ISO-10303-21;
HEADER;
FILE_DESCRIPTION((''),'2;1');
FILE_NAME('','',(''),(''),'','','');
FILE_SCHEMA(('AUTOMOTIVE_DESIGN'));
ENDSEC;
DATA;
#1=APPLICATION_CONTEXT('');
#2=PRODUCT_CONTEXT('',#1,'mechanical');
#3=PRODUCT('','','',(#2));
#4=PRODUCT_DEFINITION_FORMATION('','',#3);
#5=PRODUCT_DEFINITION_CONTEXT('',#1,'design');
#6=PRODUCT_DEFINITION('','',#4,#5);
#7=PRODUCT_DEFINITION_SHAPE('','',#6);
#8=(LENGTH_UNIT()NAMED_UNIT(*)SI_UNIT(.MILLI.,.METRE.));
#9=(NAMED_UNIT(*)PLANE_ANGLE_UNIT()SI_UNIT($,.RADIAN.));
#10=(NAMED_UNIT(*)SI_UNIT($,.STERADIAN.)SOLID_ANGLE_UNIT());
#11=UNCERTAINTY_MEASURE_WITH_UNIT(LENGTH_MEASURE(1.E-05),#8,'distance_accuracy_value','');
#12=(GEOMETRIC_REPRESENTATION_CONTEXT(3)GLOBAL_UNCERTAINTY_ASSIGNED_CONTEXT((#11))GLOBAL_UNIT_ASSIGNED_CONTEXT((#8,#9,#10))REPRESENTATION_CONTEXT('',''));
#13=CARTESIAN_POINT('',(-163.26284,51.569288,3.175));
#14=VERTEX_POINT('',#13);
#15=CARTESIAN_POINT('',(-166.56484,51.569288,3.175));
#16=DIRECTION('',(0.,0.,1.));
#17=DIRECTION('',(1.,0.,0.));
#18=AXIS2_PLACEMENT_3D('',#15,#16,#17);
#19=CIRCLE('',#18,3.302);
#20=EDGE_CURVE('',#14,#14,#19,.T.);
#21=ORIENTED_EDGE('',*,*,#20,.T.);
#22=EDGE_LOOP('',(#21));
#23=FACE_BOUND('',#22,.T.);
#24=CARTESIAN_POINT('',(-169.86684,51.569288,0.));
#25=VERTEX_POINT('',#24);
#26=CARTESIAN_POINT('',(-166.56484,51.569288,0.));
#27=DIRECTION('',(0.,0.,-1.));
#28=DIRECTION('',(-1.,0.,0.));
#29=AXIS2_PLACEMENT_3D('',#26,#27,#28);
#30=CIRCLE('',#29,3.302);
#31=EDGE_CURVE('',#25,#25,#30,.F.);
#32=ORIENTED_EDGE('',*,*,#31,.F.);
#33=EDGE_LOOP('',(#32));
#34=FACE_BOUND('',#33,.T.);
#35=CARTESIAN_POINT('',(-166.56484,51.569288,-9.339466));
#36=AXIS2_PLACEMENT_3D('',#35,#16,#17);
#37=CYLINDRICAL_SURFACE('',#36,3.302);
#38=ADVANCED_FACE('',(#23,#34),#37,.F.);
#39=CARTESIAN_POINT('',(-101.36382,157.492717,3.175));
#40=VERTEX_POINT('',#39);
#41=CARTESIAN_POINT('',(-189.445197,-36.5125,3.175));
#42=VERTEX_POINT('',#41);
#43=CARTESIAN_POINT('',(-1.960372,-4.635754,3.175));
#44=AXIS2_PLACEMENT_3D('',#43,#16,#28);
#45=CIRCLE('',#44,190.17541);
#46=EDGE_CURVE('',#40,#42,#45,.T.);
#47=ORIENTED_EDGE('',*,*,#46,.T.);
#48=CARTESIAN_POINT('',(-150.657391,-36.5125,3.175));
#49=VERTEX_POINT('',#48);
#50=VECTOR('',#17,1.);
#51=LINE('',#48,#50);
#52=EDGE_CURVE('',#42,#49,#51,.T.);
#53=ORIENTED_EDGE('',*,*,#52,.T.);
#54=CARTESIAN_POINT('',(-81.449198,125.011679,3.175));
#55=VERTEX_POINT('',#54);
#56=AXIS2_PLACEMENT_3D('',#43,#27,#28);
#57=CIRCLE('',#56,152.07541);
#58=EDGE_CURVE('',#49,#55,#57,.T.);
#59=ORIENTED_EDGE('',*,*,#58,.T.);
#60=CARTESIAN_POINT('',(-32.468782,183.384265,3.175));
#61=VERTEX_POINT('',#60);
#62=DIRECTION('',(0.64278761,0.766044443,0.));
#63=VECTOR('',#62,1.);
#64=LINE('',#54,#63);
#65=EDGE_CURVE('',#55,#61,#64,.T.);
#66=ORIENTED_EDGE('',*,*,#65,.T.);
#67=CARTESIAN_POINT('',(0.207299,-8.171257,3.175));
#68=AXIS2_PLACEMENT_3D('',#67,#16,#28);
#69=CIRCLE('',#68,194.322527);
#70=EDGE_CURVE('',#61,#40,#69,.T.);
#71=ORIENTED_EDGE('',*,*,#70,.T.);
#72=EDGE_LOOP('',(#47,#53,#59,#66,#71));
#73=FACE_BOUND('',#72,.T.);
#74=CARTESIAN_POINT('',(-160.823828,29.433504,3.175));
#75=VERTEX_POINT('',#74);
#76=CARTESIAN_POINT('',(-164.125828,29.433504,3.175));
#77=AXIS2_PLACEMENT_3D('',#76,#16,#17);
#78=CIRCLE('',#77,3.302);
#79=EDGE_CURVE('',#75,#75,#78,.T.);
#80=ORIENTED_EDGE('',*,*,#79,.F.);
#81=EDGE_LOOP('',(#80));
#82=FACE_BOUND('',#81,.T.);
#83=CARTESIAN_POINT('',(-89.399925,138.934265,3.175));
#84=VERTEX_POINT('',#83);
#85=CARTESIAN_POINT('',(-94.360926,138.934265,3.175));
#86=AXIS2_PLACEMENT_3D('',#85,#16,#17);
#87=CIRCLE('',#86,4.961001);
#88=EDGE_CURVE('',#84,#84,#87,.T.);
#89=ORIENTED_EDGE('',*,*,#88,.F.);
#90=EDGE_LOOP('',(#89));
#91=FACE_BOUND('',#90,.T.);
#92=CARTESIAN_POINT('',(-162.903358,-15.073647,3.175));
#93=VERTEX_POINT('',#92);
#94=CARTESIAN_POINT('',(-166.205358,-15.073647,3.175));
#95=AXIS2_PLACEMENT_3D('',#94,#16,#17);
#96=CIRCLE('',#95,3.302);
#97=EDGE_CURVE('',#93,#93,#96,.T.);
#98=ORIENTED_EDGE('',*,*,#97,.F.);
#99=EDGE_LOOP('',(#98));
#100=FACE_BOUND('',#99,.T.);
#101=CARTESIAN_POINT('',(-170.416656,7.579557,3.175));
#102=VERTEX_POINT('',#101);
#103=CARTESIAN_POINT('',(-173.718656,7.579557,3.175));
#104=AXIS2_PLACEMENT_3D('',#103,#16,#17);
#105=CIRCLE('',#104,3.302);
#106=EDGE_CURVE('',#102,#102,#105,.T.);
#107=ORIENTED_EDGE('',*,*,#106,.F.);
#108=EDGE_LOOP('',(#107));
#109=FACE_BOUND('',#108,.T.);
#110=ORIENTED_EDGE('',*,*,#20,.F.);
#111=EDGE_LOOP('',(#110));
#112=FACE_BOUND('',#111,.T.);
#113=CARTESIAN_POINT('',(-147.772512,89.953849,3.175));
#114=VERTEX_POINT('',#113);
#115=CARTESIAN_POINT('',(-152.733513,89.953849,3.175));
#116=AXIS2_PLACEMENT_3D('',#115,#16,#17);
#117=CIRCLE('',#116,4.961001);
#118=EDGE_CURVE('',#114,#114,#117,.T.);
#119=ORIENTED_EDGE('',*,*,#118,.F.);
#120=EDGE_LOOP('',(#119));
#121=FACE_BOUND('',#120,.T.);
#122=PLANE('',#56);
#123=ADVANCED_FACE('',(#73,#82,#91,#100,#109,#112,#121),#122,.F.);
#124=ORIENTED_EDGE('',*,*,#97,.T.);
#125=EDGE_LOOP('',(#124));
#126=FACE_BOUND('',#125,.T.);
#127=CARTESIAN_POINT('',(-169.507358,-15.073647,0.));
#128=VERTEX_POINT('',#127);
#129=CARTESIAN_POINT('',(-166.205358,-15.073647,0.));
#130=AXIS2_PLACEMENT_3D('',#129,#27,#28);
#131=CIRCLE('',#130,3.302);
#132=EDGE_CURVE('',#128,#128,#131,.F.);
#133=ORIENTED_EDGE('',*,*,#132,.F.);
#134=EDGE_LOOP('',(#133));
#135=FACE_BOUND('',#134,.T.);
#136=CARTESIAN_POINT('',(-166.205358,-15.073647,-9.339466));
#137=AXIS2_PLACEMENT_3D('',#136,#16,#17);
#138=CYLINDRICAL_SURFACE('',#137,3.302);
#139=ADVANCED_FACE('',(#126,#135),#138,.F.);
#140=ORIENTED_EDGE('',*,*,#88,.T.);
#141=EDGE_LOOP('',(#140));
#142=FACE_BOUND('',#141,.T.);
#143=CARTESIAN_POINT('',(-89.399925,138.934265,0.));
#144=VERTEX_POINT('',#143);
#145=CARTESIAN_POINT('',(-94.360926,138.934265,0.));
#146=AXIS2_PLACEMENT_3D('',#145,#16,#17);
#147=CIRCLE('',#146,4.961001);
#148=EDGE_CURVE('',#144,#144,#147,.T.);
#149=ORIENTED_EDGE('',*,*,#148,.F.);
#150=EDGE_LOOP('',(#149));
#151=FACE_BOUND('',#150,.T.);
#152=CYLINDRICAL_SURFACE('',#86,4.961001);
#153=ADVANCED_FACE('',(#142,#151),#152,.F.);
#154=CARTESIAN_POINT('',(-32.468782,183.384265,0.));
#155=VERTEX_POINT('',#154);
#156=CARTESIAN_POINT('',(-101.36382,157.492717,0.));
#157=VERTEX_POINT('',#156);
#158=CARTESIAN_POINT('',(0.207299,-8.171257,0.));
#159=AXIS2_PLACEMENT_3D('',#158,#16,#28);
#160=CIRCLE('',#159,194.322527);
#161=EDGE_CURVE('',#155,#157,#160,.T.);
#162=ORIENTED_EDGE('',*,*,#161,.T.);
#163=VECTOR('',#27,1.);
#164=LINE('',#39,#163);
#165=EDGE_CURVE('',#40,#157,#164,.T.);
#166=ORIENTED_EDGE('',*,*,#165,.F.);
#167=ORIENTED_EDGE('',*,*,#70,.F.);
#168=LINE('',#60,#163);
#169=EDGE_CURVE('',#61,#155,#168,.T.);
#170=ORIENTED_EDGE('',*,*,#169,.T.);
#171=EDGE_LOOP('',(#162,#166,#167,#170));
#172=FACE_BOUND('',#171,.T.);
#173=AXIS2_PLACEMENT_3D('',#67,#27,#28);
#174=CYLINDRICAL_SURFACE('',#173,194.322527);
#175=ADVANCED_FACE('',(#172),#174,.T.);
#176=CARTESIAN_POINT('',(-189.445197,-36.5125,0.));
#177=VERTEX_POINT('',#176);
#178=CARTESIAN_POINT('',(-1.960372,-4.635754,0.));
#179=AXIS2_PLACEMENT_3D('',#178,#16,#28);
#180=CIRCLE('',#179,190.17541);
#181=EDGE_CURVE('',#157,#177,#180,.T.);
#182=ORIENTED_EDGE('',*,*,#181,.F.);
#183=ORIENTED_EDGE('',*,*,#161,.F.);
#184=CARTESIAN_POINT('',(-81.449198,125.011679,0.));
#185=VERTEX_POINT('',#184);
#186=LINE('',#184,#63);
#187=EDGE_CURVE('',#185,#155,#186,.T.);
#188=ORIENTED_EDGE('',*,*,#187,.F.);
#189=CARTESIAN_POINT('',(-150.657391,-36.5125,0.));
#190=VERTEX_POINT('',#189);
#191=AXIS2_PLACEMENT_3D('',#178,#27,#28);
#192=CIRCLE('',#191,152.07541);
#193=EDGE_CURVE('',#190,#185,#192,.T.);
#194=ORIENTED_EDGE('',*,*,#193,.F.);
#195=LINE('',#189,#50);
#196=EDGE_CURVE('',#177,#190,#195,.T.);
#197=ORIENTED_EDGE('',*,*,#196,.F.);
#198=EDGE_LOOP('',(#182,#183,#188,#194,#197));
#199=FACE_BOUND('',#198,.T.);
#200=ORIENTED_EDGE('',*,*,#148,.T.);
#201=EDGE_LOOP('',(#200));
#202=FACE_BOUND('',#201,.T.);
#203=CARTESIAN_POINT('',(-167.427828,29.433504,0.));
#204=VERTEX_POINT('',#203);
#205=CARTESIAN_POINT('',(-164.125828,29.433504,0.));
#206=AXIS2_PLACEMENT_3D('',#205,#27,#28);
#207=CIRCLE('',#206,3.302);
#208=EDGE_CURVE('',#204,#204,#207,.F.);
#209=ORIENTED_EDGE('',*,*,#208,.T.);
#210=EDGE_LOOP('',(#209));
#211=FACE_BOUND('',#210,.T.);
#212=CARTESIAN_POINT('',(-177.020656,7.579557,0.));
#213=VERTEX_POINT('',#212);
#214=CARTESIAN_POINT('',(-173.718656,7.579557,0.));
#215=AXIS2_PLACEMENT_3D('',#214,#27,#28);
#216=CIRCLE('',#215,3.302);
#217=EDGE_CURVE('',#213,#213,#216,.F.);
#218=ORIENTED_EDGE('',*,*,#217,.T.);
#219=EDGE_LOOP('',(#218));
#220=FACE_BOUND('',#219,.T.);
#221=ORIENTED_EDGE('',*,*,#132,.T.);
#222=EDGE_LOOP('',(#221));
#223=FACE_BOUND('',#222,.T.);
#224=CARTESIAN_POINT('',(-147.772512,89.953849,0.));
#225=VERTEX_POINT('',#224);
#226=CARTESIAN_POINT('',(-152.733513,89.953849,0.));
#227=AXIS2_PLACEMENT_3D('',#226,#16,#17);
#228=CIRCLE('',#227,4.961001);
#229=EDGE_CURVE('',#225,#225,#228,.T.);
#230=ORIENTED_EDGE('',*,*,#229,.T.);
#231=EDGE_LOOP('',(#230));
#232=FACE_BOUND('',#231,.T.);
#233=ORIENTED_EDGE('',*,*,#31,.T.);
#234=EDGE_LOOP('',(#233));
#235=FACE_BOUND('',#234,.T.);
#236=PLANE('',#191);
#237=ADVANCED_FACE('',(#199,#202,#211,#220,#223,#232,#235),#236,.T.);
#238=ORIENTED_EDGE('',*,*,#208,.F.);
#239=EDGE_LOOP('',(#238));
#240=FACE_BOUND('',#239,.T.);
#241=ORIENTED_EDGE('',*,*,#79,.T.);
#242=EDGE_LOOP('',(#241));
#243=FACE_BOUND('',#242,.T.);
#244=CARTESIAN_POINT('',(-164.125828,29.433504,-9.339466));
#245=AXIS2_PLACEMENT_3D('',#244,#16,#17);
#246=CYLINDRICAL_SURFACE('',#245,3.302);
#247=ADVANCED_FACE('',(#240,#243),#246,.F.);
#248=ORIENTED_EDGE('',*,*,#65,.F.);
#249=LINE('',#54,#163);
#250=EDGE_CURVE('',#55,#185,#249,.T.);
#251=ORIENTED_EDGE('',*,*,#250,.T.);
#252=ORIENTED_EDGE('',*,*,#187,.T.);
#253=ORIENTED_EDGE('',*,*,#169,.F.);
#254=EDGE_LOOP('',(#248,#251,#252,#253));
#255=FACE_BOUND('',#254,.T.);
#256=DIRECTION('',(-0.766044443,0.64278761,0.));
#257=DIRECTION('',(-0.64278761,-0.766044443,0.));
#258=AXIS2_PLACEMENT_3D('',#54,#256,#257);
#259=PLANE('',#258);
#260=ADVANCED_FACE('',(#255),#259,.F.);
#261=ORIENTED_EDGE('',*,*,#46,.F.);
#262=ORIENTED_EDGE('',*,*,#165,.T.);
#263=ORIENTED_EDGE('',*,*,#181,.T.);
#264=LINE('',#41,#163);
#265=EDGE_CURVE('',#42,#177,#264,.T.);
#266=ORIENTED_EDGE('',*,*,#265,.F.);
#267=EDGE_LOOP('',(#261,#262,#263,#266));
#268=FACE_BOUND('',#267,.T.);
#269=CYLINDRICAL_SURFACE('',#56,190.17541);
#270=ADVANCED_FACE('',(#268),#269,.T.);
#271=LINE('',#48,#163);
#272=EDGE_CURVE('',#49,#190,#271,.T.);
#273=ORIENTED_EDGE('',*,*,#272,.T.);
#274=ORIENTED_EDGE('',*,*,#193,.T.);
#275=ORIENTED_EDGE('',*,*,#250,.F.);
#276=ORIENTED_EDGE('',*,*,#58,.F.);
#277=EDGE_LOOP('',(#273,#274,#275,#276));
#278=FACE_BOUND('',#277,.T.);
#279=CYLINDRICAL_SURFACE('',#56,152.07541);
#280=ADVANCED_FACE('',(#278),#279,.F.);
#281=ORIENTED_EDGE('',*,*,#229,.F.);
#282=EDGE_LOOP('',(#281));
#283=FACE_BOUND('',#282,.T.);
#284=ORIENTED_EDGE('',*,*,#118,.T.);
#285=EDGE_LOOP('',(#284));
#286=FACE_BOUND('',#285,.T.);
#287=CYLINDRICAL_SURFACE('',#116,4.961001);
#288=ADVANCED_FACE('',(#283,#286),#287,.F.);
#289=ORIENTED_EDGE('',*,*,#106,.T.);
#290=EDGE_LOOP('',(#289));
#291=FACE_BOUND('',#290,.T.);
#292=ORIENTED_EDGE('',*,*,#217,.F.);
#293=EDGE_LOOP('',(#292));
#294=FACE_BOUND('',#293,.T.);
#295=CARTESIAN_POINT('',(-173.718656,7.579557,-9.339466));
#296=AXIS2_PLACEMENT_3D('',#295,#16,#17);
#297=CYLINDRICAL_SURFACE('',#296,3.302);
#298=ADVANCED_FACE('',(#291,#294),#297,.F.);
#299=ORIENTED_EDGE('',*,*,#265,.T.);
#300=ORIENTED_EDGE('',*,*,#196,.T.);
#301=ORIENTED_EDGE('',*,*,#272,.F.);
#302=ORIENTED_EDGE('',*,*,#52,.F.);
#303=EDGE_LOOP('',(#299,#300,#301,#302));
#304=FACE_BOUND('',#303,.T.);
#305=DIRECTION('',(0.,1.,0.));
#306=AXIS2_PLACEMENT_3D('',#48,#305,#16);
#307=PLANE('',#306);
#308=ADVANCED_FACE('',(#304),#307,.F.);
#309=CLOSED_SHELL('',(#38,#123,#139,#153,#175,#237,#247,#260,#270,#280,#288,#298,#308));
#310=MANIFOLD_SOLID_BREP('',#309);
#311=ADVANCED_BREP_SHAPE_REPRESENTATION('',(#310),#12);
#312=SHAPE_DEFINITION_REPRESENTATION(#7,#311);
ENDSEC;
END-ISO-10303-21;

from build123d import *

# Parameters (mm, degrees)
BOSS_EXTRUDE1_DEPTH              = 3.175
SKETCH2_R                        = 3.302
CUT_EXTRUDE1_DEPTH               = 3.175
SKETCH3_R                        = 3.302
CUT_EXTRUDE2_DEPTH               = 3.175
F_25_64_0_39063_DIAMETER_HOLE1_D = 9.922002


with BuildPart() as part:
    # Sketch1 → Boss-Extrude1 (new body)
    with BuildSketch(Plane.XY):
        with BuildLine():
            Line((-150.65739054, -36.5125), (-189.445196846, -36.5125))
            ThreePointArc((-189.445196846, -36.5125), (-175.12424315, 73.983329), (-101.363819659, 157.492716901))
            ThreePointArc((-101.363819659, 157.492716901), (-68.153294369, 173.730017516), (-32.46878203, 183.38426531))
            Line((-32.46878203, 183.38426531), (-81.449197888, 125.011678745))
            ThreePointArc((-81.449197888, 125.011678745), (-141.744884659, 55.257653644), (-150.65739054, -36.5125))
        make_face()
    extrude(amount=BOSS_EXTRUDE1_DEPTH)

    # Sketch2 → Cut-Extrude1 (cut)
    with BuildSketch(Plane.XY.offset(3.175)):
        with Locations((-166.205357894, -15.073647178)):
            Circle(SKETCH2_R)
        with Locations((-164.125827505, 29.433503815)):
            Circle(SKETCH2_R)
    extrude(amount=-CUT_EXTRUDE1_DEPTH, mode=Mode.SUBTRACT)

    # Sketch3 → Cut-Extrude2 (cut)
    with BuildSketch(Plane.XY.offset(3.175)):
        with Locations((-173.718655592, 7.579557452)):
            Circle(SKETCH3_R)
        with Locations((-166.564839951, 51.569288407)):
            Circle(SKETCH3_R)
    extrude(amount=-CUT_EXTRUDE2_DEPTH, mode=Mode.SUBTRACT)

    # 25/64 (0.39063) Diameter Hole1 (through all)
    with Locations(Plane.XY.offset(3.175)):
        with Locations((-94.36092612, 138.93426531), (-152.733512685, 89.953849452)):
            Hole(F_25_64_0_39063_DIAMETER_HOLE1_D / 2)


solid = part.part
